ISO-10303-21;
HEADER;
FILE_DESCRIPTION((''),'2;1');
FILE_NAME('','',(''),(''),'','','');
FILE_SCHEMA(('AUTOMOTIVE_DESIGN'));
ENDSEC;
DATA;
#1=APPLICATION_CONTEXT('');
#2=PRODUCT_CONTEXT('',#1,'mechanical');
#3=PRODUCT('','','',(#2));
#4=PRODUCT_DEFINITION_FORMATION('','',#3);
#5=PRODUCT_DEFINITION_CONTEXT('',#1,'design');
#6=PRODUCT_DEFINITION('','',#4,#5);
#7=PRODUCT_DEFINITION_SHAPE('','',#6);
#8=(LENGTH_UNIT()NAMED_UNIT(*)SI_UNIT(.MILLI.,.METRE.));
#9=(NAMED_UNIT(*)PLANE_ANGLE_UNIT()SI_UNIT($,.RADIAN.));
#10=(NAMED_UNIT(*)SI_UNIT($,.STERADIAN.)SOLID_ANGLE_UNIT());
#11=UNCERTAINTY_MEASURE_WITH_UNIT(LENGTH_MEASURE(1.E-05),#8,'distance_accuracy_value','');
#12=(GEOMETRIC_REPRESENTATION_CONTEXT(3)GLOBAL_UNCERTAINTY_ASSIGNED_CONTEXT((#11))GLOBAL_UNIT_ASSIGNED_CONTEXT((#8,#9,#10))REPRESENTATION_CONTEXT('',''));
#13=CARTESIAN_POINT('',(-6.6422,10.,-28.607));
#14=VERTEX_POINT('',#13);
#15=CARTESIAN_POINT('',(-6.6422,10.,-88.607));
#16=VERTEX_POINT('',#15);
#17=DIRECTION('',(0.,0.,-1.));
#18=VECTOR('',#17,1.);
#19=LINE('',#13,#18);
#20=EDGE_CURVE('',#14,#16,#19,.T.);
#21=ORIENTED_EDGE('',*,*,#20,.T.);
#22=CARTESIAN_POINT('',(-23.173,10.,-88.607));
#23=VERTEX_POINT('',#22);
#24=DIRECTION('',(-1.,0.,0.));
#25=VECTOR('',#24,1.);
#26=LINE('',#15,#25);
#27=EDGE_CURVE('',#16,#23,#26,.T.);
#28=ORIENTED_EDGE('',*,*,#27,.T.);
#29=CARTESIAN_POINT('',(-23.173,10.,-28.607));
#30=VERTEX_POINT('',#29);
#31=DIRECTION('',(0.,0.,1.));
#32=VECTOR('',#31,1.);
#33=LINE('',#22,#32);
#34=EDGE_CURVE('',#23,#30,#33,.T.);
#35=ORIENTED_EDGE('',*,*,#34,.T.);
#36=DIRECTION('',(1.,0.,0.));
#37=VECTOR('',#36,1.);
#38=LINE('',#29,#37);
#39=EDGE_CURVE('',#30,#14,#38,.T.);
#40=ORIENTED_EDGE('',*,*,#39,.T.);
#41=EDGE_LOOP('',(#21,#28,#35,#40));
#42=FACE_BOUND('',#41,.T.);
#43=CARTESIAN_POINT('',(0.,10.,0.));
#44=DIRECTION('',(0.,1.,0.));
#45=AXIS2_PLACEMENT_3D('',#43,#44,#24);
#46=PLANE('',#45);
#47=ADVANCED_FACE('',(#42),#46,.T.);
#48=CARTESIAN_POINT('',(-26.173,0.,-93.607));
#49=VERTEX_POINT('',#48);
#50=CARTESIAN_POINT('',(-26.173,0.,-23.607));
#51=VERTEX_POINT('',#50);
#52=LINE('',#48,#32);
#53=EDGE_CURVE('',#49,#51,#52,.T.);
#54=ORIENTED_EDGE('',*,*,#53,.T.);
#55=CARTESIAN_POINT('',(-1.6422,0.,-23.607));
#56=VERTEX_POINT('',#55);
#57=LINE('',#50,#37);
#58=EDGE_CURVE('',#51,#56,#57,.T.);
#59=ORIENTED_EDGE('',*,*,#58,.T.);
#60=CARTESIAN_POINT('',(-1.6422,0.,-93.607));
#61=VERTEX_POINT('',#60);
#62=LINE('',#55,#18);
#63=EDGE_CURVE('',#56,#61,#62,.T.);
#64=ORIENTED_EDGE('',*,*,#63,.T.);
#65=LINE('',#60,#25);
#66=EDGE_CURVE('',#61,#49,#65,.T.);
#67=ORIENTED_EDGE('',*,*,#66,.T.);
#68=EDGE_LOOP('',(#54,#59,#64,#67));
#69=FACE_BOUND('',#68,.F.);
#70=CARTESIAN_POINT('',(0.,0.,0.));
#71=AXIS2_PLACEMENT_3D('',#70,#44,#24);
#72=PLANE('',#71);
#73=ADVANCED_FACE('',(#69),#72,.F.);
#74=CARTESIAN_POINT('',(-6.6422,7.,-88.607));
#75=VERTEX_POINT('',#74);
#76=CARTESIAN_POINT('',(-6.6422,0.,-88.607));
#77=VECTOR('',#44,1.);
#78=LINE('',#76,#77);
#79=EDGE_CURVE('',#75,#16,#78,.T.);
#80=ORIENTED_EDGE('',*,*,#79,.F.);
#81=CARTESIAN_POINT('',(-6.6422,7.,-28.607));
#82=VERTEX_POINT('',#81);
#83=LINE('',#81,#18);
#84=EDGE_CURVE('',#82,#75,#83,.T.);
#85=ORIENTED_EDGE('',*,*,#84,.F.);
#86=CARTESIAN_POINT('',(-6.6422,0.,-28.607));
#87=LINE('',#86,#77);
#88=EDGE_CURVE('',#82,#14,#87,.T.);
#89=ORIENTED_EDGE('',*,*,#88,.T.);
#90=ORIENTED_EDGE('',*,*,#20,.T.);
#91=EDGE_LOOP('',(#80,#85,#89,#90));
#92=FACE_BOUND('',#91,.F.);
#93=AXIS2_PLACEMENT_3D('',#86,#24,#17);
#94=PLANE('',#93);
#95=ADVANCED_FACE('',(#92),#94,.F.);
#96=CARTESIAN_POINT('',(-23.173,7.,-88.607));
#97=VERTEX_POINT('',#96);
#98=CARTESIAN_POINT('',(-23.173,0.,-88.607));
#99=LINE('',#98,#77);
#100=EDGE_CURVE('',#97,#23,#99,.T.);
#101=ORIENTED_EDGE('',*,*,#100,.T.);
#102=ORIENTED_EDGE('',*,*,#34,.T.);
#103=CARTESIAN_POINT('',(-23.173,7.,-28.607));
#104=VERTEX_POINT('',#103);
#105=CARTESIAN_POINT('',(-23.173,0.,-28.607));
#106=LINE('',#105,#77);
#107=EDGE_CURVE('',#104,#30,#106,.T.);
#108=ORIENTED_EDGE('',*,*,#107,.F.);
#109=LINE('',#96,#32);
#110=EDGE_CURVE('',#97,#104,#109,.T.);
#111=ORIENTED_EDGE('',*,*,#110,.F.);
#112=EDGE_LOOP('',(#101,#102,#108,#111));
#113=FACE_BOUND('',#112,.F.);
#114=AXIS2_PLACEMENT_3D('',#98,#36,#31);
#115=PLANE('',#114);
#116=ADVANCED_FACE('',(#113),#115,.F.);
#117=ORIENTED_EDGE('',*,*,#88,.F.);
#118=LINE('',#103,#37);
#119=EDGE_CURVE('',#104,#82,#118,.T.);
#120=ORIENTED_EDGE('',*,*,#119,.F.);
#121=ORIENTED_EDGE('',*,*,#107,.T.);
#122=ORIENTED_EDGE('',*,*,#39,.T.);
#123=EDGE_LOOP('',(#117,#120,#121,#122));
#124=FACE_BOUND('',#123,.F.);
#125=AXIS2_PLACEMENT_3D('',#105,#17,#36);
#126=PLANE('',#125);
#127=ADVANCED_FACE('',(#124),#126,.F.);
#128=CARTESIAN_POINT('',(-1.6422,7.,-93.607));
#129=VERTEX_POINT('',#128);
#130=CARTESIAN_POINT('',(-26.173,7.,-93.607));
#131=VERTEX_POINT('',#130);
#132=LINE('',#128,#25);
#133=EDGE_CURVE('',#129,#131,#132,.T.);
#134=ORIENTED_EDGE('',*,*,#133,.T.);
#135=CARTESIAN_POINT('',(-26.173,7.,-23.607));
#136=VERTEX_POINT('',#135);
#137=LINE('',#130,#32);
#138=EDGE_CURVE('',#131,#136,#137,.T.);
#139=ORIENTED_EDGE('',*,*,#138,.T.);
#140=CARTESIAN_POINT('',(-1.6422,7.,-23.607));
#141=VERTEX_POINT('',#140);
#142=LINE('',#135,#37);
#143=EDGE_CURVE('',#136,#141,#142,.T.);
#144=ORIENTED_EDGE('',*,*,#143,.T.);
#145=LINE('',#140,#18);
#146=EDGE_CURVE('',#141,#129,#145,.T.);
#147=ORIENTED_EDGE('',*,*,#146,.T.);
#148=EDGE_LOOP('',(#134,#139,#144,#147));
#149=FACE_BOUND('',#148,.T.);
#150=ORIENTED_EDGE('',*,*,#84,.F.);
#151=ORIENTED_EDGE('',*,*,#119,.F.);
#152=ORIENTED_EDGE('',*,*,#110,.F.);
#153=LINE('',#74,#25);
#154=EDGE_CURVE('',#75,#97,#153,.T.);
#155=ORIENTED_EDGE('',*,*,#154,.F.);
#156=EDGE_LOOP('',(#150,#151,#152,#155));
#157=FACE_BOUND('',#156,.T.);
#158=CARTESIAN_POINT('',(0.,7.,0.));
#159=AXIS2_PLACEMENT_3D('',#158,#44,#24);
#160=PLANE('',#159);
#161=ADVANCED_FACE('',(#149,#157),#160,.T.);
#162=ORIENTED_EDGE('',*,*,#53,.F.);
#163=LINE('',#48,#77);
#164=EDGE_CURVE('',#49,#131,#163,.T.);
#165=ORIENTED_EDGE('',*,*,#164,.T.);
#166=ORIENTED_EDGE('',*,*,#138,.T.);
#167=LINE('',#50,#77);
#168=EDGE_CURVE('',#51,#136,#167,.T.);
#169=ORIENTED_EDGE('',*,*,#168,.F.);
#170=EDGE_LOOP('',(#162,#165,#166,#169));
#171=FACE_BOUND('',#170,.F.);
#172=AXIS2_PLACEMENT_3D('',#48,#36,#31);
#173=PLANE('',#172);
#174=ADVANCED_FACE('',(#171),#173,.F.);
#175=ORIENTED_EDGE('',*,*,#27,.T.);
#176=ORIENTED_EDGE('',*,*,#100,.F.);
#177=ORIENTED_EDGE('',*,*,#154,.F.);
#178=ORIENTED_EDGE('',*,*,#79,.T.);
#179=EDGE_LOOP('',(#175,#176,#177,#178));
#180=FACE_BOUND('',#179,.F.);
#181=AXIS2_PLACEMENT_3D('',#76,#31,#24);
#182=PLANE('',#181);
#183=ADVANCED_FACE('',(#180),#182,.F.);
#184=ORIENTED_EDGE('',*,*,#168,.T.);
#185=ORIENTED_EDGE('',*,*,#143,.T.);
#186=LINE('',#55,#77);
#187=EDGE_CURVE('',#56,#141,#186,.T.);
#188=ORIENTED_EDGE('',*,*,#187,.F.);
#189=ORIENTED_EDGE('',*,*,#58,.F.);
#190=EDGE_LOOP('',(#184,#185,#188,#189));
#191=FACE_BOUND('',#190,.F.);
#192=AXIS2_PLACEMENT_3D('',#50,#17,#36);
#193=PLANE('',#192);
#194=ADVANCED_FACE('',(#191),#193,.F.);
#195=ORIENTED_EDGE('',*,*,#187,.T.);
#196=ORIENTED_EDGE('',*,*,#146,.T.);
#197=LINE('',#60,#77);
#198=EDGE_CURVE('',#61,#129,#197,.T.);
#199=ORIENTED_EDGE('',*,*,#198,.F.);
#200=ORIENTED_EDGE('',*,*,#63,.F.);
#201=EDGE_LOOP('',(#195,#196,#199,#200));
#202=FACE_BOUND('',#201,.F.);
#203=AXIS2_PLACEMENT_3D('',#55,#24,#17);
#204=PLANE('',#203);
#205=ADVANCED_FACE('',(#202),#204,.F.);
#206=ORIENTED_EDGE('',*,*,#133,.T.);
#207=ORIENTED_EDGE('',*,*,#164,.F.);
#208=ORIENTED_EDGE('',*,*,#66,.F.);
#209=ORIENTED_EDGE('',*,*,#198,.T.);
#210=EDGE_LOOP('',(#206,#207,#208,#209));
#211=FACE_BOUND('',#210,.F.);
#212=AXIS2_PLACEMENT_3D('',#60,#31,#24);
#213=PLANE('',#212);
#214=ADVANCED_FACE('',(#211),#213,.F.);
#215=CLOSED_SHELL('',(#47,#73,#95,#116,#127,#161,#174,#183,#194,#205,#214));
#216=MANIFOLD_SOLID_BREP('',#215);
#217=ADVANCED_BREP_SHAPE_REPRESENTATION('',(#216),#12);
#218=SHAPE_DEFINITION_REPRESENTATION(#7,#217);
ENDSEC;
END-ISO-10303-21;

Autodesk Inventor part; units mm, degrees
ref_plane "YZ Plane" through (0, 0, 0) normal (1, 0, 0) x (0, 1, 0)
ref_plane "XZ Plane" through (0, 0, 0) normal (0, 1, 0) x (-1, 0, 0)
ref_plane "XY Plane" through (0, 0, 0) normal (0, 0, 1) x (1, 0, 0)
sketch "Skizze1" plane through (0, 0, 0) normal (0, 1, 0) x (-1, 0, 0)
  line L0 (26.173, -23.607) -> (1.6422, -23.607)
  line L1 (1.6422, -23.607) -> (1.6422, -93.607)
  line L2 (1.6422, -93.607) -> (26.173, -93.607)
  line L3 (26.173, -93.607) -> (26.173, -23.607)
  line L4 (23.173, -28.607) -> (6.6422, -28.607)
  line L5 (6.6422, -28.607) -> (6.6422, -88.607)
  line L6 (6.6422, -88.607) -> (23.173, -88.607)
  line L7 (23.173, -88.607) -> (23.173, -28.607)
  point P0 (0, 0)
  dimension "d0" = 70
  dimension "d1" = 60
  dimension "d2" = 5
  dimension "d3" = 5
  dimension "d4" = 3
extrude "Extrusion1" add sketch "Skizze1" along normal blind 7
extrude "Extrusion2" add sketch "Skizze1" along normal blind 10 contours L7 L6 L5 L4
properties part number "LCD-Display"
